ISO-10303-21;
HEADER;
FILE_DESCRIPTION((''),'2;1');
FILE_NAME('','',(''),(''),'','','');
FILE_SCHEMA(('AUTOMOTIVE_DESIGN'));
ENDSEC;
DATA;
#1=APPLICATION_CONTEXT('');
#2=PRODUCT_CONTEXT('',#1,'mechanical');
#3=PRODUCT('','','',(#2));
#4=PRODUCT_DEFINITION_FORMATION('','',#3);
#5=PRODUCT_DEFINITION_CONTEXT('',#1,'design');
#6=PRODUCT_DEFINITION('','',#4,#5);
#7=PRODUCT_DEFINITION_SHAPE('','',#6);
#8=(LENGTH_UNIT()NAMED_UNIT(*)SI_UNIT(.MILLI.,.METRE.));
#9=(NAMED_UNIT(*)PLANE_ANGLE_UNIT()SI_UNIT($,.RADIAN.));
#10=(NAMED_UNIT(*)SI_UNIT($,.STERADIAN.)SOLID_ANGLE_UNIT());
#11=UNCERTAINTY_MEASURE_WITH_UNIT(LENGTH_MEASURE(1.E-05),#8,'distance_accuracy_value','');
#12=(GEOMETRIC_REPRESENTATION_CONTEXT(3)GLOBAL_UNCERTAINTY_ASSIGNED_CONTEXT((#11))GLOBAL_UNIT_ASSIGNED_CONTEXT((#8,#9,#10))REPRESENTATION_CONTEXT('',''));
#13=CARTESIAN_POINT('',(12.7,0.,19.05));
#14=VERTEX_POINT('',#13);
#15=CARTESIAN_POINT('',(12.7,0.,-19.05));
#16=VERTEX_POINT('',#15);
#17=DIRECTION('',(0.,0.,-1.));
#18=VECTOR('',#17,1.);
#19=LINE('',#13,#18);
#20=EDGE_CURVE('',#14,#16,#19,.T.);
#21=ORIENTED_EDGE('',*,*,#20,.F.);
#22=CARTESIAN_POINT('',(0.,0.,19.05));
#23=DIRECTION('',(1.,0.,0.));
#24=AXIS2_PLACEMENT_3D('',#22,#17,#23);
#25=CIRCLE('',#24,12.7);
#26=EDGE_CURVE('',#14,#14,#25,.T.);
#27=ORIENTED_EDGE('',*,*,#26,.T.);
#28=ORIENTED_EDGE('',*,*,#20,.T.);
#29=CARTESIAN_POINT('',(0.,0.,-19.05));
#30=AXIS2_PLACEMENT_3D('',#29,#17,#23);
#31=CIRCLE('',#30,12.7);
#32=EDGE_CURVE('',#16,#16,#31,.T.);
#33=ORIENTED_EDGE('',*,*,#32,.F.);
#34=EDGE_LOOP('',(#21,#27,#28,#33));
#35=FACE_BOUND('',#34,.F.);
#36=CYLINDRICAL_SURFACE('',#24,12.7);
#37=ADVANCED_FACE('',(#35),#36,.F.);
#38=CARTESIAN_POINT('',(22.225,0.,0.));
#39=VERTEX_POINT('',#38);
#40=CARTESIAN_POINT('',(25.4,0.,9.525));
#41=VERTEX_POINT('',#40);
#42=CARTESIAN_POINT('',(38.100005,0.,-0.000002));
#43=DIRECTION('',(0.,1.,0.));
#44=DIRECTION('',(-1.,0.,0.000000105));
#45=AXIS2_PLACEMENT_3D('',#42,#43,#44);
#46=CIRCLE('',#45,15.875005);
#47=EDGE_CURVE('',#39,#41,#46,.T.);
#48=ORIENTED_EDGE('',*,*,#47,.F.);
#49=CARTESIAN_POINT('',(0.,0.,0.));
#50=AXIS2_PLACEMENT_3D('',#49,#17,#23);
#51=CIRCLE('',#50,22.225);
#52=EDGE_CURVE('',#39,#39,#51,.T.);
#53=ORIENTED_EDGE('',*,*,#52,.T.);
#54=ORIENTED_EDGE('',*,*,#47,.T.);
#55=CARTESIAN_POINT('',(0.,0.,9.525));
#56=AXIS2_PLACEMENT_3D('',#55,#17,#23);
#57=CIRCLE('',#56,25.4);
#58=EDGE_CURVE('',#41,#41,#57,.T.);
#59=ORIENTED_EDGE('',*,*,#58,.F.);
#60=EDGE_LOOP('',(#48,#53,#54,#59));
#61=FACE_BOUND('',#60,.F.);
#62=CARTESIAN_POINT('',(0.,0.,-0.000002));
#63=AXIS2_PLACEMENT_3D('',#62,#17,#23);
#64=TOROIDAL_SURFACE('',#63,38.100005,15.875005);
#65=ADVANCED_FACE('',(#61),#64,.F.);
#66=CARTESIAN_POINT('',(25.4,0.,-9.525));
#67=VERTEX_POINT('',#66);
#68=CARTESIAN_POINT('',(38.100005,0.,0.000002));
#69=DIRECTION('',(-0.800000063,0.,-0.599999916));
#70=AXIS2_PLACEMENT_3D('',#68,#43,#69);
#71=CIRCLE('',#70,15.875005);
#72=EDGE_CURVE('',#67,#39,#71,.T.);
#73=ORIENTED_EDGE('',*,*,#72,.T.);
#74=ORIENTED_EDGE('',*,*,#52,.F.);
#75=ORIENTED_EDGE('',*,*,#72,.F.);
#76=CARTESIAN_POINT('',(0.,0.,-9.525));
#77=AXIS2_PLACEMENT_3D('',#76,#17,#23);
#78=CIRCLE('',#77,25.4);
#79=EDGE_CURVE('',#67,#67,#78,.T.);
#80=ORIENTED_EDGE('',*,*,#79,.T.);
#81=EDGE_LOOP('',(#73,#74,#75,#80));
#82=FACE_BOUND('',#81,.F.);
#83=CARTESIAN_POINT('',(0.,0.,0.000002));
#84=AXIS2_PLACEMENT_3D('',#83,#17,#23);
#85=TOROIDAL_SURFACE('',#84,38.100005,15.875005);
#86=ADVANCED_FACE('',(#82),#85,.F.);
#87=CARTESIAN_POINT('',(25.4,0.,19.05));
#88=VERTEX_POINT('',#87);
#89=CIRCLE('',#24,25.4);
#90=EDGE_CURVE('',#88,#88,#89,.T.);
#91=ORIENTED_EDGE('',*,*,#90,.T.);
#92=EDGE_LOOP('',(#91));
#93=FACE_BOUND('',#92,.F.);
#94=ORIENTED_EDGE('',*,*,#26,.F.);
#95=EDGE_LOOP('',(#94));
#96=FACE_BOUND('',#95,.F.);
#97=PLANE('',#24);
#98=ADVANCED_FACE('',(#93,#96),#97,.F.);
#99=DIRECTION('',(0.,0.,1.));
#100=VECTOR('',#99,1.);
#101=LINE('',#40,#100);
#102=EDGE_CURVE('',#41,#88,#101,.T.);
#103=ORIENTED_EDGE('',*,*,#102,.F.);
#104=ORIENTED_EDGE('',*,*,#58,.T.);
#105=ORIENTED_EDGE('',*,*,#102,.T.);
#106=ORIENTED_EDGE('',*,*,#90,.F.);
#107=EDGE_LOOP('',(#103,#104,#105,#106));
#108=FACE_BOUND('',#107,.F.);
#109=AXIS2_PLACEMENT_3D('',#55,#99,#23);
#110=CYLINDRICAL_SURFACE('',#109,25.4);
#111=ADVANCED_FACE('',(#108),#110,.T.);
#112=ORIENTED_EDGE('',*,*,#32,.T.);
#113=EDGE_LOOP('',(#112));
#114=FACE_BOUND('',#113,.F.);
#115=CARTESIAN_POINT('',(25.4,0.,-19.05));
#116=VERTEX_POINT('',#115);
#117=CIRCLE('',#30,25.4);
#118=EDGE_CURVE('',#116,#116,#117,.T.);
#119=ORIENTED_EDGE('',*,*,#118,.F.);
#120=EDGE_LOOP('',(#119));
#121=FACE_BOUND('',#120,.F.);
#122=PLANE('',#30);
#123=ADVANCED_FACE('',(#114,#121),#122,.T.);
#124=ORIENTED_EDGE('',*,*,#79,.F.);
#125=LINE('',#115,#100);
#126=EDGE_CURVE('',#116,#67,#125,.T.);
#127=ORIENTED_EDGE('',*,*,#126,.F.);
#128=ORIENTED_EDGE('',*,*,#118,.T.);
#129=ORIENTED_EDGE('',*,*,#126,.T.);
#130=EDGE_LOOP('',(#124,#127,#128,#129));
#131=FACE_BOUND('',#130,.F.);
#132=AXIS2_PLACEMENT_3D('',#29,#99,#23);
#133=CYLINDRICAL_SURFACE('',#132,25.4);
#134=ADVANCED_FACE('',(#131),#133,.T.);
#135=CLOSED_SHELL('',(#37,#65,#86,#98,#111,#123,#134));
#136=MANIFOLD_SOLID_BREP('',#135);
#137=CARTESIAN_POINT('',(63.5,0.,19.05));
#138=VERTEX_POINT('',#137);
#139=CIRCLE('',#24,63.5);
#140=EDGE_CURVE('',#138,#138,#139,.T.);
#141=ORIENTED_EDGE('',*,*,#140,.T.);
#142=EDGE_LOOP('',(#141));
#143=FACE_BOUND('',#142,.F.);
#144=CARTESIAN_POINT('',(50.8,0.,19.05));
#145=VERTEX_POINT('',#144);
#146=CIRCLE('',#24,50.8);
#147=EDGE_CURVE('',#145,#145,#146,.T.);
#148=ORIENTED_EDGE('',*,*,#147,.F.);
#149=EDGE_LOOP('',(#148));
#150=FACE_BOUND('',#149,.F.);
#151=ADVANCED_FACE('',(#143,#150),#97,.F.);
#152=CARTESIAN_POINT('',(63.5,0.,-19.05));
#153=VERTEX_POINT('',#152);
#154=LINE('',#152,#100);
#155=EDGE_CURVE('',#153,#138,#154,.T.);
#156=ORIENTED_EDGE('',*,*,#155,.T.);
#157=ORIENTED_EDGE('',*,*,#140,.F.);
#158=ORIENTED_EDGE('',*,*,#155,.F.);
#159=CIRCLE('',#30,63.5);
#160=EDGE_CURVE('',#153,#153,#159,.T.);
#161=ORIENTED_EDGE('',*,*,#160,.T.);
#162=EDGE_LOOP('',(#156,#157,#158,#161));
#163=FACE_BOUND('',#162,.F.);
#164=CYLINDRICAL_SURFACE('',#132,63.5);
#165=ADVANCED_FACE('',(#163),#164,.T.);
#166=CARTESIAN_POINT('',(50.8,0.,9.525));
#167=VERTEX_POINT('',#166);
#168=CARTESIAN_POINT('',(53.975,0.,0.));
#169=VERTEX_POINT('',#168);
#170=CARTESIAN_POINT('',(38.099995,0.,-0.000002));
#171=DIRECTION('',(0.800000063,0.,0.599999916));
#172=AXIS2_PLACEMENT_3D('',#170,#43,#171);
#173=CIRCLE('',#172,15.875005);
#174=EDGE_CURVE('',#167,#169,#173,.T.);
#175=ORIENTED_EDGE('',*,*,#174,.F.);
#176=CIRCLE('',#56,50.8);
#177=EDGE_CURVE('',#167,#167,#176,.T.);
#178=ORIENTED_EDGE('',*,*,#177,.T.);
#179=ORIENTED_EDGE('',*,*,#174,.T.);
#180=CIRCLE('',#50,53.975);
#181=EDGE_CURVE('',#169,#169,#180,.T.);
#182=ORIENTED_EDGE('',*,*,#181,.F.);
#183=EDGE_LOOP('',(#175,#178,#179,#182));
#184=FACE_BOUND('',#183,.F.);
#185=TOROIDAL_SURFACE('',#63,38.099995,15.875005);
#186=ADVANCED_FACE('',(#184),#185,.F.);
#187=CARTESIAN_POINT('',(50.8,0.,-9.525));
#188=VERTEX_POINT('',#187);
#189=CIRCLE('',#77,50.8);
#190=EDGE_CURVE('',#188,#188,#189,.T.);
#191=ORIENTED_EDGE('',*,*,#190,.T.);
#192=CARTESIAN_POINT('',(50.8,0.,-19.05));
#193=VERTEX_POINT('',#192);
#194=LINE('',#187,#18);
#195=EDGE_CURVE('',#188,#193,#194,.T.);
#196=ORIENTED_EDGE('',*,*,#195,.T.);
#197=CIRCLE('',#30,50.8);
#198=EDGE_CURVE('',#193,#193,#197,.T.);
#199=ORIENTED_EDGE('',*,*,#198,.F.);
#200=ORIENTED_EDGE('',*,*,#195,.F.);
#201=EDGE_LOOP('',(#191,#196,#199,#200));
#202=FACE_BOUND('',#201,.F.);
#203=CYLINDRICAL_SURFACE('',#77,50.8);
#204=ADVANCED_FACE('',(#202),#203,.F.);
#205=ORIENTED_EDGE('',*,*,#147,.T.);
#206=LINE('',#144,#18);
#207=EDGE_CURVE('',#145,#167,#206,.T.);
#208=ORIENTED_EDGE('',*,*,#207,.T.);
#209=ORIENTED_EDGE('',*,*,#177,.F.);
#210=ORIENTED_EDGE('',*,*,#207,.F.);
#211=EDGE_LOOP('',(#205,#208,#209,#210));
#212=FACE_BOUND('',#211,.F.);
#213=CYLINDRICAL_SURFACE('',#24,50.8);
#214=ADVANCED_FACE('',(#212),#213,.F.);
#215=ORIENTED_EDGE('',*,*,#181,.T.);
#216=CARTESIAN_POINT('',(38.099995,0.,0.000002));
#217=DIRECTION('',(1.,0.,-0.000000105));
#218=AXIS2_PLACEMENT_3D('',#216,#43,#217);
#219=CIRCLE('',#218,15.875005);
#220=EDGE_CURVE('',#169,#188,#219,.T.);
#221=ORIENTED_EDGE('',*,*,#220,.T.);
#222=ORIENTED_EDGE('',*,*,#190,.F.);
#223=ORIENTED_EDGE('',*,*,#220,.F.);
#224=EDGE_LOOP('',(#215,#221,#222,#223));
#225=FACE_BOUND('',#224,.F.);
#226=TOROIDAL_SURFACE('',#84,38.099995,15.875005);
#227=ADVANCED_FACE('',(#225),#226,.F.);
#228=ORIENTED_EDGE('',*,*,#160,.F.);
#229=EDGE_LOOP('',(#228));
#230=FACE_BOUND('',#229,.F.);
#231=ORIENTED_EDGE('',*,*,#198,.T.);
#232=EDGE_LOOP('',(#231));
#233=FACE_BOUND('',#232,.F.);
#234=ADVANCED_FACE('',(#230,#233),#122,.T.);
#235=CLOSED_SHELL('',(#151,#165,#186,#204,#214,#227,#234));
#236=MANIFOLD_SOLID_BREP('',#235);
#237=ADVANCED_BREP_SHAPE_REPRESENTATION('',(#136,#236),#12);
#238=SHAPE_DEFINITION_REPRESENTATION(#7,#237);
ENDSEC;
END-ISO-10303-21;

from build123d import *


with BuildPart() as f1:
    # F0 (on Front) → F1 (revolve)
    with BuildSketch(Plane.XZ):
        with BuildLine():
            Line((25.4, 19.05), (12.7, 19.05))
            Line((12.7, 19.05), (12.7, -19.05))
            Line((12.7, -19.05), (25.4, -19.05))
            Line((25.4, -19.05), (25.4, -9.525))
            ThreePointArc((25.4, -9.525), (23.039653, -5.020116), (22.225, 0))
            ThreePointArc((22.225, 0), (23.039653, 5.020116), (25.4, 9.525))
            Line((25.4, 9.525), (25.4, 19.05))
        make_face()
        with BuildLine():
            Line((50.8, 19.05), (50.8, 9.525))
            ThreePointArc((50.8, 9.525), (53.160347, 5.020116), (53.975, 0))
            ThreePointArc((53.975, 0), (53.160347, -5.020116), (50.8, -9.525))
            Line((50.8, -9.525), (50.8, -19.05))
            Line((50.8, -19.05), (63.5, -19.05))
            Line((63.5, -19.05), (63.5, 19.05))
            Line((63.5, 19.05), (50.8, 19.05))
        make_face()
    revolve(axis=Axis((0, 0, 0), (0, 0, -1)))


solid = f1.part
